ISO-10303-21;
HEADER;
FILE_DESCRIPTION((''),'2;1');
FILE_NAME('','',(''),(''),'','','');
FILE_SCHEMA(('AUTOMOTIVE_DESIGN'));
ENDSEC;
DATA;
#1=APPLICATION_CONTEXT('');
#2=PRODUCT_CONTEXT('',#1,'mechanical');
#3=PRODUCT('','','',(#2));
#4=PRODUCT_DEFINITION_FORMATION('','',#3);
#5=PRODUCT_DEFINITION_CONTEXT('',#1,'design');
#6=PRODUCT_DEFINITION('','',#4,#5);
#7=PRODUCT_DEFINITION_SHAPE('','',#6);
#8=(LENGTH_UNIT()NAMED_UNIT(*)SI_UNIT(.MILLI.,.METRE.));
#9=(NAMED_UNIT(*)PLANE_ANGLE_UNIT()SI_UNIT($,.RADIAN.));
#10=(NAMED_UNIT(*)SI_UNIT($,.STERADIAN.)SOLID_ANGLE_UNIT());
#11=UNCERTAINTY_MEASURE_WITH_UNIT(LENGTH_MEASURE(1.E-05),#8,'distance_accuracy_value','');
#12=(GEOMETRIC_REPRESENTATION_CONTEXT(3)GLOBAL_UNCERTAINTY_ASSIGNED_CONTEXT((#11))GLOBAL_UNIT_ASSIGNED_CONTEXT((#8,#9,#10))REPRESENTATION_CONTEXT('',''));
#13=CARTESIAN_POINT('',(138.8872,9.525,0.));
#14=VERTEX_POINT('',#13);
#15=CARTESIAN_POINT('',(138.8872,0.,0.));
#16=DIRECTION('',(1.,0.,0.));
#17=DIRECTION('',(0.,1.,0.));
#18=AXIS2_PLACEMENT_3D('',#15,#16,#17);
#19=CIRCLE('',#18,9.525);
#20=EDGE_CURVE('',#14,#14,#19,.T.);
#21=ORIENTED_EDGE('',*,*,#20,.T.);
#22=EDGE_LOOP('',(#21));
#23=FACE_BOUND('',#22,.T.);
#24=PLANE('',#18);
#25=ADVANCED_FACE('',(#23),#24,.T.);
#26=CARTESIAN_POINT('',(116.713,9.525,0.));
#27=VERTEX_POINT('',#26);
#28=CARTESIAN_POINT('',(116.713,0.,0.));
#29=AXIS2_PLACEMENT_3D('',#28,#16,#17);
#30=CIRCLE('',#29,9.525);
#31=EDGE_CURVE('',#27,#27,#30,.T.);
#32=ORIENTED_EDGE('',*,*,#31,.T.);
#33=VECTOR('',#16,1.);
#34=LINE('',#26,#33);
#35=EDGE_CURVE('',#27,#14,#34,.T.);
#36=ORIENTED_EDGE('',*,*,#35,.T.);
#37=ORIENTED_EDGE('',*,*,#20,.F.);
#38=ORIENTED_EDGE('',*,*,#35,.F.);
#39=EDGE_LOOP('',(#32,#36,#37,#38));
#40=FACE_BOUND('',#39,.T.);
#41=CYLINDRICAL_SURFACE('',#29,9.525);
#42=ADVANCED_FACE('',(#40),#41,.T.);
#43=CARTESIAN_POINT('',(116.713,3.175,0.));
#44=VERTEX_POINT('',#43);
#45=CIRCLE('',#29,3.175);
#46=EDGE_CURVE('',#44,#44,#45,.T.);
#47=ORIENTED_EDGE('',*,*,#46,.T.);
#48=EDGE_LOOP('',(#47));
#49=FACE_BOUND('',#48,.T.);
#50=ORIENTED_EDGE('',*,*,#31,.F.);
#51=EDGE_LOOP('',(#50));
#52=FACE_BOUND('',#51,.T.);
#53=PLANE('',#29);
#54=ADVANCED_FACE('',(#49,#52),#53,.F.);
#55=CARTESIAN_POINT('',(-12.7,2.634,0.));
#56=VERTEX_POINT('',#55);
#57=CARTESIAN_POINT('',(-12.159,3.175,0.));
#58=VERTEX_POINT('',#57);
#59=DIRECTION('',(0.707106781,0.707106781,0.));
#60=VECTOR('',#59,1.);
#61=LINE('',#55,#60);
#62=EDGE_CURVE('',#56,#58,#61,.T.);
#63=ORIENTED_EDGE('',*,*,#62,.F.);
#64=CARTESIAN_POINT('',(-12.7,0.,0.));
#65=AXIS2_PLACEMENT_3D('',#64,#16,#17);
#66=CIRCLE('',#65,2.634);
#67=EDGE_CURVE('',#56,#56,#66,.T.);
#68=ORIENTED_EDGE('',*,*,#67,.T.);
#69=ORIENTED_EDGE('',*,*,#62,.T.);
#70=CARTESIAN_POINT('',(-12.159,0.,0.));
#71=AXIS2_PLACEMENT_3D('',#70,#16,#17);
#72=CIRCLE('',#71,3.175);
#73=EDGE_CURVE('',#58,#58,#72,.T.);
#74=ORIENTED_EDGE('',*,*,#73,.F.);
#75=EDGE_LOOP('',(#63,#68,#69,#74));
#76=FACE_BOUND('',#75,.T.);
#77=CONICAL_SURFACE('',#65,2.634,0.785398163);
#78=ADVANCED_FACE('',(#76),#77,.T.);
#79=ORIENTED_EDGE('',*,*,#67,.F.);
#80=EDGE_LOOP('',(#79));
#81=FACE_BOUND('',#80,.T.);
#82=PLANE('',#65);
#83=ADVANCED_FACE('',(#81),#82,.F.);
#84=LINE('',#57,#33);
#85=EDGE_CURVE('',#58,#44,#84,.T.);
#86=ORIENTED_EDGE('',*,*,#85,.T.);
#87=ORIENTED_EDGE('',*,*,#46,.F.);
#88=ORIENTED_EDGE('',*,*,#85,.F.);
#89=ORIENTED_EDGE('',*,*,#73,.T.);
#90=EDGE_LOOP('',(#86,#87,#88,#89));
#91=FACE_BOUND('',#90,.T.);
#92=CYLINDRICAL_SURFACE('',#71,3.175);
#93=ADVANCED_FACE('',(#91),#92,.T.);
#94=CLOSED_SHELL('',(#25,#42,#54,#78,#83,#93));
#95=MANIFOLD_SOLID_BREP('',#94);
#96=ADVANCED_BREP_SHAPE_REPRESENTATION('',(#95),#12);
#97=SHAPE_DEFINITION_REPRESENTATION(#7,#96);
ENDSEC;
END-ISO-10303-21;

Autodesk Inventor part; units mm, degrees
sketch "Sketch_1" plane through (0, 0, 0) normal (0, 0, 1) x (1, 0, 0)
  line L0 (138.8872, 0) -> (0, 0)
  line L1 (0, 0) -> (0, 3.175)
  line L2 (0, 3.175) -> (138.8872, 3.175)
  line L3 (138.8872, 3.175) -> (138.8872, 0)
  line L4 (138.8872, 0) -> (0, 0)
revolve "Revolution1" add sketch "Sketch_1" angle 360 about axis through (138.8872, 0, 0) along (1, 0, 0)
sketch "Sketch_3" plane through (0, 0, 0) normal (0, 0, 1) x (1, 0, 0)
  line L0 (138.8872, 0) -> (116.713, 0)
  line L1 (116.713, 0) -> (116.713, 9.525)
  line L2 (116.713, 9.525) -> (138.8872, 9.525)
  line L3 (138.8872, 9.525) -> (138.8872, 0)
  line L4 (138.8872, 0) -> (116.713, 0)
revolve "Revolution2" add sketch "Sketch_3" angle 360 about axis through (138.8872, 0, 0) along (1, 0, 0)
sketch "Sketch_4" plane through (0, 0, 0) normal (0, 0, 1) x (1, 0, 0)
  line L0 (0, 0) -> (-12.7, 0)
  line L1 (-12.7, 0) -> (-12.7, 2.634)
  line L2 (-12.7, 2.634) -> (-12.159, 3.175)
  line L3 (-12.159, 3.175) -> (0, 3.175)
  line L4 (0, 3.175) -> (0, 0)
  line L5 (0, 0) -> (-12.7, 0)
revolve "Revolution3" add sketch "Sketch_4" angle 360 about axis through (0, 0, 0) along (1, 0, 0)
ref_plane "a_XY" through (-12.7, 0, 0) normal (1, 0, 0) x (0, 0, -1)
ref_plane "a_YZ" through (-12.7, 0, 0) normal (0, 0, -1) x (0, 1, 0)
ref_plane "a_ZX" through (-12.7, 0, 0) normal (0, 1, 0) x (1, 0, 0)
ref_plane "c1_XY" through (0, 0, 0) normal (1, 0, 0) x (0, 0, -1)
ref_plane "c1_YZ" through (0, 0, 0) normal (0, 0, -1) x (0, 1, 0)
ref_plane "c1_ZX" through (0, 0, 0) normal (0, 1, 0) x (1, 0, 0)
ref_plane "cc1_XY" through (0, 0, -3.175) normal (1, 0, 0) x (0, 0, -1)
ref_plane "cc1_YZ" through (0, 0, -3.175) normal (0, 0, -1) x (0, 1, 0)
ref_plane "cc1_ZX" through (0, 0, -3.175) normal (0, 1, 0) x (1, 0, 0)
ref_plane "cc2_XY" through (0, 0, 3.175) normal (1, 0, 0) x (0, 0, -1)
ref_plane "cc2_YZ" through (0, 0, 3.175) normal (0, 0, -1) x (0, 1, 0)
ref_plane "cc2_ZX" through (0, 0, 3.175) normal (0, 1, 0) x (1, 0, 0)
ref_plane "kk_XY" through (-6.35, 0, 3.175) normal (1, 0, 0) x (0, 0, -1)
ref_plane "kk_YZ" through (-6.35, 0, 3.175) normal (0, 0, -1) x (0, 1, 0)
ref_plane "kk_ZX" through (-6.35, 0, 3.175) normal (0, 1, 0) x (1, 0, 0)
ref_plane "rod_XY" through (138.8872, 0, 0) normal (1, 0, 0) x (0, 0, -1)
ref_plane "rod_YZ" through (138.8872, 0, 0) normal (0, 0, -1) x (0, 1, 0)
ref_plane "rod_ZX" through (138.8872, 0, 0) normal (0, 1, 0) x (1, 0, 0)
properties part number "5.4680.8730.50.500Double acting_00_005.4680.500.75N"
